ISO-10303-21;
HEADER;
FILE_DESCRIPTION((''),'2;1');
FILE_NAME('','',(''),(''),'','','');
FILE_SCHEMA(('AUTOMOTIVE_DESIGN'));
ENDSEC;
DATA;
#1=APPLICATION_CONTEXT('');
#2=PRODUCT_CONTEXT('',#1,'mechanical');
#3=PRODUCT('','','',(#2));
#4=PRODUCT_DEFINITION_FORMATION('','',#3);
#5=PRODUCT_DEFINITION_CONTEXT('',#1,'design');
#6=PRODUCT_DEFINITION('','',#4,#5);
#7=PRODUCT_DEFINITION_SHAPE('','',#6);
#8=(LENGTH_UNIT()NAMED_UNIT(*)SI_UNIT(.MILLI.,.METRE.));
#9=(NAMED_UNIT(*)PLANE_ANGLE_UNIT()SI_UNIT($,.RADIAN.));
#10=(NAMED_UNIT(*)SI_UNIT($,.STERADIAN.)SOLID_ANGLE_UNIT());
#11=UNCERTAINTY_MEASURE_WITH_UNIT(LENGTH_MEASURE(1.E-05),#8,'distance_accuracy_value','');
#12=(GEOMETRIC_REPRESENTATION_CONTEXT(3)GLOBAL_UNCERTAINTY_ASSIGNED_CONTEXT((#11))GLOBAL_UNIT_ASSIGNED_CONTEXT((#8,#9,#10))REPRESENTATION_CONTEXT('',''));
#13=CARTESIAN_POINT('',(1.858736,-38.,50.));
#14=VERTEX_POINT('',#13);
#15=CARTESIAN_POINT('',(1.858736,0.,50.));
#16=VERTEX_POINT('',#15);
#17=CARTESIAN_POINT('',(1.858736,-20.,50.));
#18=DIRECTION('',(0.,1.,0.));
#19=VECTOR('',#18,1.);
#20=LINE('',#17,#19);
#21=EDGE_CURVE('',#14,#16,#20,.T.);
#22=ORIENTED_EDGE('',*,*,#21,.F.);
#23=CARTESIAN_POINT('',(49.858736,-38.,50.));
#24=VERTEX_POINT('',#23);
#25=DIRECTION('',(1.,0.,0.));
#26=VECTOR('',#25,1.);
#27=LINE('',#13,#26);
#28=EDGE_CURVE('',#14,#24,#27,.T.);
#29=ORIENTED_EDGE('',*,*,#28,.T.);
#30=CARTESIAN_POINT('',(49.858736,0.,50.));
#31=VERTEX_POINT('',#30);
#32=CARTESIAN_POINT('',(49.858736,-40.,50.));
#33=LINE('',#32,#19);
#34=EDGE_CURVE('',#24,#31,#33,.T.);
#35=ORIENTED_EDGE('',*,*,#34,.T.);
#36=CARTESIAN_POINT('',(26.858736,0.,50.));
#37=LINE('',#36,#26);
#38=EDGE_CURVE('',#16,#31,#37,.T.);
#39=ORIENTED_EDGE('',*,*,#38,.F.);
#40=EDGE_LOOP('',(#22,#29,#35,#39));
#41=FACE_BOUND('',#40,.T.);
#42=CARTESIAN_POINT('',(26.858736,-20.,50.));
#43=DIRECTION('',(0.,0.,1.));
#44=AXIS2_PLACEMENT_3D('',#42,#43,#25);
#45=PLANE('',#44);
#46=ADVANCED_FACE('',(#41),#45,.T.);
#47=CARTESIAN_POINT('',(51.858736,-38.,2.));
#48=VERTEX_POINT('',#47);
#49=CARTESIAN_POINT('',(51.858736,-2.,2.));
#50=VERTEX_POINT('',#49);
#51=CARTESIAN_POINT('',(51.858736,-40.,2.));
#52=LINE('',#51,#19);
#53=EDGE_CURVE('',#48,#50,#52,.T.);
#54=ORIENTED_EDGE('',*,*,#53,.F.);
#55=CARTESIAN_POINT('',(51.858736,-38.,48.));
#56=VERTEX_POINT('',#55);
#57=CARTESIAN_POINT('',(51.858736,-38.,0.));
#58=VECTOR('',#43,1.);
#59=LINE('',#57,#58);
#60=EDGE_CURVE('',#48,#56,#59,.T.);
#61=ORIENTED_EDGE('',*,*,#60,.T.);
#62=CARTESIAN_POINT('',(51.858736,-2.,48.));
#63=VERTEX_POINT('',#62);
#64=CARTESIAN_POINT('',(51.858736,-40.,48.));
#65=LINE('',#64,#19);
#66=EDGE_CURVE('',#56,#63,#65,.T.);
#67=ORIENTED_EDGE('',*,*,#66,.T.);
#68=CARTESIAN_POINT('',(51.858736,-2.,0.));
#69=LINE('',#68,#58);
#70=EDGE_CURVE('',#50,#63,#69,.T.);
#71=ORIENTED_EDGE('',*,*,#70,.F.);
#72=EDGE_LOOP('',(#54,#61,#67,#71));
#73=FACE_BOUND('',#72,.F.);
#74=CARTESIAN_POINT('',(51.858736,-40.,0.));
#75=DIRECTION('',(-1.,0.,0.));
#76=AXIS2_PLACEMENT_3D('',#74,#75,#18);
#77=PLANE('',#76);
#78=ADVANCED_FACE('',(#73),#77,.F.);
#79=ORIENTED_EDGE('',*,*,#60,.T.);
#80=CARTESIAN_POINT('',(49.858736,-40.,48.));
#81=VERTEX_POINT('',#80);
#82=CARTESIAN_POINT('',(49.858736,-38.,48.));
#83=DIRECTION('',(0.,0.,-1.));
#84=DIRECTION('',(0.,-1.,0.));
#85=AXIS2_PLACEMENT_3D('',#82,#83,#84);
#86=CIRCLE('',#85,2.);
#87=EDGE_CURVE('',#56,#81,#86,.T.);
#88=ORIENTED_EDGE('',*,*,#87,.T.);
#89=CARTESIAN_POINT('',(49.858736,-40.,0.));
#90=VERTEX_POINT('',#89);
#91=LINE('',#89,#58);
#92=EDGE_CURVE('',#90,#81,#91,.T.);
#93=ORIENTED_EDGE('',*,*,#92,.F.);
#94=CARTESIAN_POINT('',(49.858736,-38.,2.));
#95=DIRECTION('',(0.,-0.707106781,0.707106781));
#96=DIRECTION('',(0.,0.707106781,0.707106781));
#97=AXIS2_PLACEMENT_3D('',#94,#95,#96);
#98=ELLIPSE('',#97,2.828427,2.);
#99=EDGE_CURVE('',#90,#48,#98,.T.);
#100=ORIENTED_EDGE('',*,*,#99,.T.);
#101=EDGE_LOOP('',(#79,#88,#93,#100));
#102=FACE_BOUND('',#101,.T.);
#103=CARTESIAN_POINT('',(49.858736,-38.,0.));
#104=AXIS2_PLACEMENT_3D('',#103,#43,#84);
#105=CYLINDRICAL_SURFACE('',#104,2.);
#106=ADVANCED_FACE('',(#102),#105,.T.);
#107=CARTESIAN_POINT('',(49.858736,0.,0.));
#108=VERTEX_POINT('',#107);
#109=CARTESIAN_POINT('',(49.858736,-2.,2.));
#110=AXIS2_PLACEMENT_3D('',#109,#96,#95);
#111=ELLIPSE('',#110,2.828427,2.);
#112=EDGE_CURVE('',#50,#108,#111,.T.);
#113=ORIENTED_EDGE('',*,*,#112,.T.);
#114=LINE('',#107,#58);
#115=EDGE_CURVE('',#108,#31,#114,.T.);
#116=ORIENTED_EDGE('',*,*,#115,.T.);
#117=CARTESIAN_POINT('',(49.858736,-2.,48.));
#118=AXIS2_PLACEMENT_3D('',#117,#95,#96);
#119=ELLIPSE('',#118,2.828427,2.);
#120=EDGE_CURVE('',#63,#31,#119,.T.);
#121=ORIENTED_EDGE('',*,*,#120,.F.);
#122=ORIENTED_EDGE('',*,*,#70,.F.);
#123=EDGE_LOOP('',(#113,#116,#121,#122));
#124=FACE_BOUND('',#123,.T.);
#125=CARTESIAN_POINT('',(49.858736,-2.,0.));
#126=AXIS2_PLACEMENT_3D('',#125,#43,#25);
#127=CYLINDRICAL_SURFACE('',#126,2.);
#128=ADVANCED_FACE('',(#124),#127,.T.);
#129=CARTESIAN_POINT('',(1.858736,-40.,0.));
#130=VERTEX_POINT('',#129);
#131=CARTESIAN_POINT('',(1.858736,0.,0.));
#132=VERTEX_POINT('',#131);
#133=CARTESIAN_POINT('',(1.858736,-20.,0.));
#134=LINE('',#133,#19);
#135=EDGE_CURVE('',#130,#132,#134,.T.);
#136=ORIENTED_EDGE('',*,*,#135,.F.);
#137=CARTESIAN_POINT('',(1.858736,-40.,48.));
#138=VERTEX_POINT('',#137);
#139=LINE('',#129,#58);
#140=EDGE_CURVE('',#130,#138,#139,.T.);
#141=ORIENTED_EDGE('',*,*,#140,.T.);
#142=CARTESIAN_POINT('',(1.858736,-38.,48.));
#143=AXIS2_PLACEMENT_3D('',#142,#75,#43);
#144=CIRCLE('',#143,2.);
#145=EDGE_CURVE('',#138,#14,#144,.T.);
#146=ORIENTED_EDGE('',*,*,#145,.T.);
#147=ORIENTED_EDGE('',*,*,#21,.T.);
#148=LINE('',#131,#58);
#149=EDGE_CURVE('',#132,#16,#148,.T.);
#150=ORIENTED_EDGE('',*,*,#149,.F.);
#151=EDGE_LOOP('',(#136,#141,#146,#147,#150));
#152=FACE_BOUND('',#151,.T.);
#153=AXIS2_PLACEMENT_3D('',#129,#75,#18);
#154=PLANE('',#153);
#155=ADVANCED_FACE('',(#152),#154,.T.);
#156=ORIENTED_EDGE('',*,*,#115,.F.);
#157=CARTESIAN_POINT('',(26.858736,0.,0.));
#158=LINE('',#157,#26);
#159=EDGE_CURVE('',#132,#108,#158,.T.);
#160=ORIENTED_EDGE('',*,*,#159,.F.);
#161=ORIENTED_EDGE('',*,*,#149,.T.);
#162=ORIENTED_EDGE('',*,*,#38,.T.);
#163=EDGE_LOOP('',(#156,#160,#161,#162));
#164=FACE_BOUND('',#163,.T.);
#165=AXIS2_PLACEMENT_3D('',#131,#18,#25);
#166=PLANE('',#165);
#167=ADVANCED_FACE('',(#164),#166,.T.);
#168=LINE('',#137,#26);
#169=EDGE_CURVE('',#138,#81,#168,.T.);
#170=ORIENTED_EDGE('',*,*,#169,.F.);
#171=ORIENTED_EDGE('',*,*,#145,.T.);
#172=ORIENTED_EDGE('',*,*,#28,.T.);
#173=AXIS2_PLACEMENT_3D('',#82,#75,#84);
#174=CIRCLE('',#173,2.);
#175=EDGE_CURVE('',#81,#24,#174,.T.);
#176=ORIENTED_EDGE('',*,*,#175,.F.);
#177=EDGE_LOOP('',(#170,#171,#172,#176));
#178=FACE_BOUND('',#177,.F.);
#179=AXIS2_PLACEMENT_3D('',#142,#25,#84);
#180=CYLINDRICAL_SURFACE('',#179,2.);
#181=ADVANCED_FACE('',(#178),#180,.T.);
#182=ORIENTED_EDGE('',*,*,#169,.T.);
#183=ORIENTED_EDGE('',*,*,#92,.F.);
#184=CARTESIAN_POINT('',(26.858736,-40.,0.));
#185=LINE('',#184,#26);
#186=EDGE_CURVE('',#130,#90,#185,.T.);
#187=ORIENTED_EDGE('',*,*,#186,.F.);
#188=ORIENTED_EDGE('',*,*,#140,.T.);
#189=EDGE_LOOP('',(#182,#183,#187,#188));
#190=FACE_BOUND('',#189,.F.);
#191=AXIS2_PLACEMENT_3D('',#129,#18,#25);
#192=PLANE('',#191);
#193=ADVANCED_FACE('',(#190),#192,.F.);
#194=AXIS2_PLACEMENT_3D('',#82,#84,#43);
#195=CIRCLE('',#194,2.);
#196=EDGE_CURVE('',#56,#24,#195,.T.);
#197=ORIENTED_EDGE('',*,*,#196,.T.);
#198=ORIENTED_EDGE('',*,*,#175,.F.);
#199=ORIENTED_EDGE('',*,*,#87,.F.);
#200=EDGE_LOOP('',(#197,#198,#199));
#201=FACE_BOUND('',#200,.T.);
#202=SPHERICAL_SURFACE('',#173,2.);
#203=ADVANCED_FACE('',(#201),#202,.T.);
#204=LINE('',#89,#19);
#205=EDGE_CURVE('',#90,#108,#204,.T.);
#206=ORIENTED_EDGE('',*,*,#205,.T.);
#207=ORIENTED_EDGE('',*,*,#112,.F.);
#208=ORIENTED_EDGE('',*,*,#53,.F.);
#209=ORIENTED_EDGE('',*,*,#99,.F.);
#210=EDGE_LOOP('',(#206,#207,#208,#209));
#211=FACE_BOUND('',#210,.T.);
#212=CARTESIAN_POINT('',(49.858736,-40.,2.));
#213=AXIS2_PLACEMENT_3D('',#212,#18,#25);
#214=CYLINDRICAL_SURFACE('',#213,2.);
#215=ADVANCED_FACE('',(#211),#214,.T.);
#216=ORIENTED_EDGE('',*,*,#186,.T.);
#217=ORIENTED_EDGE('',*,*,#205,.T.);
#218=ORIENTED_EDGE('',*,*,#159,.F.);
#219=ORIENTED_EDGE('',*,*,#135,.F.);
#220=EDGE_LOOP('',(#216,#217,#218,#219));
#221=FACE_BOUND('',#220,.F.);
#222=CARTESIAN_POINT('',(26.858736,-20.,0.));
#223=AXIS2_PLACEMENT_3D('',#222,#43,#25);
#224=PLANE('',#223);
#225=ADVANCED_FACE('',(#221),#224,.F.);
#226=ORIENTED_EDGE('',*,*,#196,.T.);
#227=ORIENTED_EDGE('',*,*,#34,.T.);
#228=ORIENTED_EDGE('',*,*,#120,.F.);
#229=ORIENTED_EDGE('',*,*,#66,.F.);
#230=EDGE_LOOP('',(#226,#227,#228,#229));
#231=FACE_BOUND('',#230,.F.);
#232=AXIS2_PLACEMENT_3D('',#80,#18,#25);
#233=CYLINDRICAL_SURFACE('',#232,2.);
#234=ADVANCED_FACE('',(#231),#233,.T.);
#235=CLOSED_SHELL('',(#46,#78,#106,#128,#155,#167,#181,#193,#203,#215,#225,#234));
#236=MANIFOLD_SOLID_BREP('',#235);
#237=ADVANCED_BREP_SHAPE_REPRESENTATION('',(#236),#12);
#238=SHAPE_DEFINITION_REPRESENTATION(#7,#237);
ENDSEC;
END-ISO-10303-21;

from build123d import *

# Parameters (mm, degrees)
F0_W     = 50
F0_H     = 40
F1_DEPTH = 50
F2_R     = 2


with BuildPart() as f1:
    # F0 (on Top) → F1 (new body)
    with BuildSketch(Plane.XY):
        with Locations((26.858736, -20)):
            Rectangle(F0_W, F0_H)
    extrude(amount=F1_DEPTH)

    # F2
    f2_edges = [f1.edges().sort_by_distance(p)[0] for p in [
        (26.858736, -40, 50),
        (51.858736, -40, 25),
        (51.858736, 0, 25),
        (51.858736, -20, 0),
        (51.858736, -20, 50),
    ]]
    fillet(f2_edges, radius=F2_R)


solid = f1.part
